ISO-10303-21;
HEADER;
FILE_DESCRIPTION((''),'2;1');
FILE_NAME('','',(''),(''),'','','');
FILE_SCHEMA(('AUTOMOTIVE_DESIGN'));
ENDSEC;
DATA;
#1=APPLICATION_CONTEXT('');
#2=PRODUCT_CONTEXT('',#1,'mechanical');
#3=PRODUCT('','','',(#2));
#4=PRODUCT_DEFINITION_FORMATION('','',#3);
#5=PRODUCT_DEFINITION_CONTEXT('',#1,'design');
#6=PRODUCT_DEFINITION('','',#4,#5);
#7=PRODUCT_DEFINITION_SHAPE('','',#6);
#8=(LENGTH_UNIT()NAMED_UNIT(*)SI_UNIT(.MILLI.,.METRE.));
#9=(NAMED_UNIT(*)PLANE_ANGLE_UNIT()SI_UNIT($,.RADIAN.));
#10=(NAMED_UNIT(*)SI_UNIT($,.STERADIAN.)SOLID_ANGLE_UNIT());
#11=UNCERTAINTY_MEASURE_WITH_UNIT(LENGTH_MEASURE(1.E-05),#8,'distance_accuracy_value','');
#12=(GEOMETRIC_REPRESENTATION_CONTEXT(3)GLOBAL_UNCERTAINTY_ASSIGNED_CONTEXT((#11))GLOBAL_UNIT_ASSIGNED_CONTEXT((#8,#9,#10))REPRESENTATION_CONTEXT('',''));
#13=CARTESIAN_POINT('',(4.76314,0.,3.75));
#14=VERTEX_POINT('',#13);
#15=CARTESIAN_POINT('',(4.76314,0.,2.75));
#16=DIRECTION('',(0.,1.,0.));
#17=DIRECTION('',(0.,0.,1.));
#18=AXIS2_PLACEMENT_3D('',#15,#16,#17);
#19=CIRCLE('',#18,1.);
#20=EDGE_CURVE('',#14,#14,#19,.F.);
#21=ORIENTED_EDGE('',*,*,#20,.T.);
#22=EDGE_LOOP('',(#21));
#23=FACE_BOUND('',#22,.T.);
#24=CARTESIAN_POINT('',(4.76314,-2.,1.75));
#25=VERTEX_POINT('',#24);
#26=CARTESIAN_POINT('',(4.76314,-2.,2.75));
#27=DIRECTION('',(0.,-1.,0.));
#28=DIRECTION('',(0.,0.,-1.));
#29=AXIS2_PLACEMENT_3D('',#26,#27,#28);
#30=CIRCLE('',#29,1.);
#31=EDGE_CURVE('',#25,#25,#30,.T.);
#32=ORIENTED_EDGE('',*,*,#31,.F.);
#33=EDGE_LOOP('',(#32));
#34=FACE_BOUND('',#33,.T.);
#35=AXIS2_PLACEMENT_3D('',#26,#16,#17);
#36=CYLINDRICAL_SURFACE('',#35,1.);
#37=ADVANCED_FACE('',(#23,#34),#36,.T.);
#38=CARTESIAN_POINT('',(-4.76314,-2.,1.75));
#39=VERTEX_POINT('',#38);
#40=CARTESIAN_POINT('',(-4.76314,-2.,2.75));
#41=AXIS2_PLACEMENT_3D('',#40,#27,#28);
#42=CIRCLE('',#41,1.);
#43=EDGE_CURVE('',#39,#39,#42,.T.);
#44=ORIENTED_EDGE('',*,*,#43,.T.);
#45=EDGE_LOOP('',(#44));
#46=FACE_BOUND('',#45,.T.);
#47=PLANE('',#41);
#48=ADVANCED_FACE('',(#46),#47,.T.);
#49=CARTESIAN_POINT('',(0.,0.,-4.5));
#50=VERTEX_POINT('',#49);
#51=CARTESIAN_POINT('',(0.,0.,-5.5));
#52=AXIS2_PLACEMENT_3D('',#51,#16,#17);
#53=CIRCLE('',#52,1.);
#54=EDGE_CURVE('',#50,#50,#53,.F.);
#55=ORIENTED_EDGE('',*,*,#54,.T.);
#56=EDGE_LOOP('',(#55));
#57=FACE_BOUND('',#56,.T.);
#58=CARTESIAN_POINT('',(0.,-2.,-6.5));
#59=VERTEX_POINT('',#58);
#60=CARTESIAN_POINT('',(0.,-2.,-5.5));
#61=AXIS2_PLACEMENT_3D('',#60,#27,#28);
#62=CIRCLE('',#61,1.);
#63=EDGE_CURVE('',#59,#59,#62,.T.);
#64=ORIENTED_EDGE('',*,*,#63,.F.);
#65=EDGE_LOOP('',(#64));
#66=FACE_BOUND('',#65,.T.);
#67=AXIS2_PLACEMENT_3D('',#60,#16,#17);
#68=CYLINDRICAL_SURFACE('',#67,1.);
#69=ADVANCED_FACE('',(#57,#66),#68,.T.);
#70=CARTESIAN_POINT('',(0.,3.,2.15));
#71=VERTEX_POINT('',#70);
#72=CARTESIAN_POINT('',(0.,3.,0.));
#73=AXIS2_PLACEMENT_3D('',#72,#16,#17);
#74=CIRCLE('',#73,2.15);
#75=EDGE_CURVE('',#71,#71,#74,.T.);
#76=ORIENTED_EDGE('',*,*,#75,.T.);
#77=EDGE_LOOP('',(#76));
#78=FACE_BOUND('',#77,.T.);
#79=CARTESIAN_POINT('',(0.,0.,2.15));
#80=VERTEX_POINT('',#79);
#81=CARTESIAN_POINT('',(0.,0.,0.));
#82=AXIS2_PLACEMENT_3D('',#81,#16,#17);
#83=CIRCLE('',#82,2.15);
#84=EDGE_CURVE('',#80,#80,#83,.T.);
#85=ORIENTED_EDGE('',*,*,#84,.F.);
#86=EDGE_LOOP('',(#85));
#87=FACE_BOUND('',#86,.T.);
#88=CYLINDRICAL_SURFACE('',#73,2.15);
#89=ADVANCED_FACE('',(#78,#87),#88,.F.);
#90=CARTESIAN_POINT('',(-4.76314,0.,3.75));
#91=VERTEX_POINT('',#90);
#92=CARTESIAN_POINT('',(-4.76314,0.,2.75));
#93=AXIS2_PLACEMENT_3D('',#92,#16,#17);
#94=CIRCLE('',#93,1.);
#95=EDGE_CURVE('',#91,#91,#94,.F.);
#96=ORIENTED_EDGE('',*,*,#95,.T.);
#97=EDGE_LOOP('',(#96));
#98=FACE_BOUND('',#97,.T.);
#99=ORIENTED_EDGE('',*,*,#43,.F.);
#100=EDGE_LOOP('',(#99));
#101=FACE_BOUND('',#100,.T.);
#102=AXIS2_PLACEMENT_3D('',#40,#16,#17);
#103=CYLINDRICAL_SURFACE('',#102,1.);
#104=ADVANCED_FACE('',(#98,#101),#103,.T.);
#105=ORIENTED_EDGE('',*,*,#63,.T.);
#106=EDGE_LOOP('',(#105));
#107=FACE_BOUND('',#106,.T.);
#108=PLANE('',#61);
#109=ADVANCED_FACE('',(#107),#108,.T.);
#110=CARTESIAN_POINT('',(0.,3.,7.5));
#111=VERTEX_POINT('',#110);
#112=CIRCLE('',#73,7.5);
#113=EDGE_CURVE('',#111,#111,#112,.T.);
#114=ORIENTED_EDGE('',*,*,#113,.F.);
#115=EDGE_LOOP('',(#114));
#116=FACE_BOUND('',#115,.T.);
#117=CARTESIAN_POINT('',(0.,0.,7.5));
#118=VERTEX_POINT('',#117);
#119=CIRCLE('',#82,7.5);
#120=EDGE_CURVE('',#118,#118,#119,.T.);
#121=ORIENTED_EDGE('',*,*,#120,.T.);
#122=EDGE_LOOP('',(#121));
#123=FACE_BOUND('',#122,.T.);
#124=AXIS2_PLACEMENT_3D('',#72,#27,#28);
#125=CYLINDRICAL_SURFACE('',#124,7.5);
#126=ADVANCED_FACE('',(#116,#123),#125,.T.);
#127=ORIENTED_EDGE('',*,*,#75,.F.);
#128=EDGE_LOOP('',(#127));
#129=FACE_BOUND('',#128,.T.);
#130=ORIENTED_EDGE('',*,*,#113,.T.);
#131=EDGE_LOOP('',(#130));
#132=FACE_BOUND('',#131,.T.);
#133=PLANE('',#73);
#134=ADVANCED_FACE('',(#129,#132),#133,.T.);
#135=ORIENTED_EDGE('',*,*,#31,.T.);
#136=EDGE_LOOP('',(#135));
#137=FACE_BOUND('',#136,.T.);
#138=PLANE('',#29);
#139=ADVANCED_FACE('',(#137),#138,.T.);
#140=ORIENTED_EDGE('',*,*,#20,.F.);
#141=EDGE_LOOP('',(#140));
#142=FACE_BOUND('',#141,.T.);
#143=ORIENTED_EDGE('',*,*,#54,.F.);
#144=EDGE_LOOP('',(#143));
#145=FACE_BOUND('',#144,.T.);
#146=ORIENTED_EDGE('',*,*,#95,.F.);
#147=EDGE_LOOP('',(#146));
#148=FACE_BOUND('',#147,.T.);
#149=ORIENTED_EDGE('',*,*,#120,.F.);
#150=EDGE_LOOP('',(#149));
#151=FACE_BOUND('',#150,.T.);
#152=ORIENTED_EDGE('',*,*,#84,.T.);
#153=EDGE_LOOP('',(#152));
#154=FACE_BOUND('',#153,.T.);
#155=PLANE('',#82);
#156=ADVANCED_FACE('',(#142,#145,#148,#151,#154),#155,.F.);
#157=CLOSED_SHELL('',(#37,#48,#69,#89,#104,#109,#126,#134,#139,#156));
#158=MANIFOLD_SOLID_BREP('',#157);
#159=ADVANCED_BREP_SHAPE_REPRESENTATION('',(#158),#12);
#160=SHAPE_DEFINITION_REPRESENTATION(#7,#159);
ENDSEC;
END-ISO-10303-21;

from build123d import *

# Parameters (mm, degrees)
SKETCH1_R            = 7.5
BOSS_EXTRUDE1_DEPTH  = 3
M4_CLEARANCE_HOLE1_D = 4.3
SKETCH4_R            = 1
BOSS_EXTRUDE2_DEPTH  = 2


with BuildPart() as part:
    # Sketch1 → Boss-Extrude1 (new body)
    with BuildSketch(Plane(origin=(0, 0, 0), x_dir=(1, 0, 0), z_dir=(0, 1, 0))):
        with Locations(Location((0, 0, 0), (0, 0, 270))):
            Circle(SKETCH1_R)
    extrude(amount=BOSS_EXTRUDE1_DEPTH)

    # M4 Clearance Hole1 (through all)
    with Locations(Plane(origin=(0, 3, 0), x_dir=(1, 0, 0), z_dir=(0, 1, 0))):
        with Locations((0, 0)):
            Hole(M4_CLEARANCE_HOLE1_D / 2)

    # Sketch4 → Boss-Extrude2 (add)
    with BuildSketch(Plane.XZ):
        with Locations(Location((0, -5.5, 0), (0, 0, 90))):
            Circle(SKETCH4_R)
        with Locations(Location((4.763139721, 2.75, 0), (0, 0, 90))):
            Circle(SKETCH4_R)
        with Locations(Location((-4.763139721, 2.75, 0), (0, 0, 90))):
            Circle(SKETCH4_R)
    extrude(amount=BOSS_EXTRUDE2_DEPTH)


solid = part.part
